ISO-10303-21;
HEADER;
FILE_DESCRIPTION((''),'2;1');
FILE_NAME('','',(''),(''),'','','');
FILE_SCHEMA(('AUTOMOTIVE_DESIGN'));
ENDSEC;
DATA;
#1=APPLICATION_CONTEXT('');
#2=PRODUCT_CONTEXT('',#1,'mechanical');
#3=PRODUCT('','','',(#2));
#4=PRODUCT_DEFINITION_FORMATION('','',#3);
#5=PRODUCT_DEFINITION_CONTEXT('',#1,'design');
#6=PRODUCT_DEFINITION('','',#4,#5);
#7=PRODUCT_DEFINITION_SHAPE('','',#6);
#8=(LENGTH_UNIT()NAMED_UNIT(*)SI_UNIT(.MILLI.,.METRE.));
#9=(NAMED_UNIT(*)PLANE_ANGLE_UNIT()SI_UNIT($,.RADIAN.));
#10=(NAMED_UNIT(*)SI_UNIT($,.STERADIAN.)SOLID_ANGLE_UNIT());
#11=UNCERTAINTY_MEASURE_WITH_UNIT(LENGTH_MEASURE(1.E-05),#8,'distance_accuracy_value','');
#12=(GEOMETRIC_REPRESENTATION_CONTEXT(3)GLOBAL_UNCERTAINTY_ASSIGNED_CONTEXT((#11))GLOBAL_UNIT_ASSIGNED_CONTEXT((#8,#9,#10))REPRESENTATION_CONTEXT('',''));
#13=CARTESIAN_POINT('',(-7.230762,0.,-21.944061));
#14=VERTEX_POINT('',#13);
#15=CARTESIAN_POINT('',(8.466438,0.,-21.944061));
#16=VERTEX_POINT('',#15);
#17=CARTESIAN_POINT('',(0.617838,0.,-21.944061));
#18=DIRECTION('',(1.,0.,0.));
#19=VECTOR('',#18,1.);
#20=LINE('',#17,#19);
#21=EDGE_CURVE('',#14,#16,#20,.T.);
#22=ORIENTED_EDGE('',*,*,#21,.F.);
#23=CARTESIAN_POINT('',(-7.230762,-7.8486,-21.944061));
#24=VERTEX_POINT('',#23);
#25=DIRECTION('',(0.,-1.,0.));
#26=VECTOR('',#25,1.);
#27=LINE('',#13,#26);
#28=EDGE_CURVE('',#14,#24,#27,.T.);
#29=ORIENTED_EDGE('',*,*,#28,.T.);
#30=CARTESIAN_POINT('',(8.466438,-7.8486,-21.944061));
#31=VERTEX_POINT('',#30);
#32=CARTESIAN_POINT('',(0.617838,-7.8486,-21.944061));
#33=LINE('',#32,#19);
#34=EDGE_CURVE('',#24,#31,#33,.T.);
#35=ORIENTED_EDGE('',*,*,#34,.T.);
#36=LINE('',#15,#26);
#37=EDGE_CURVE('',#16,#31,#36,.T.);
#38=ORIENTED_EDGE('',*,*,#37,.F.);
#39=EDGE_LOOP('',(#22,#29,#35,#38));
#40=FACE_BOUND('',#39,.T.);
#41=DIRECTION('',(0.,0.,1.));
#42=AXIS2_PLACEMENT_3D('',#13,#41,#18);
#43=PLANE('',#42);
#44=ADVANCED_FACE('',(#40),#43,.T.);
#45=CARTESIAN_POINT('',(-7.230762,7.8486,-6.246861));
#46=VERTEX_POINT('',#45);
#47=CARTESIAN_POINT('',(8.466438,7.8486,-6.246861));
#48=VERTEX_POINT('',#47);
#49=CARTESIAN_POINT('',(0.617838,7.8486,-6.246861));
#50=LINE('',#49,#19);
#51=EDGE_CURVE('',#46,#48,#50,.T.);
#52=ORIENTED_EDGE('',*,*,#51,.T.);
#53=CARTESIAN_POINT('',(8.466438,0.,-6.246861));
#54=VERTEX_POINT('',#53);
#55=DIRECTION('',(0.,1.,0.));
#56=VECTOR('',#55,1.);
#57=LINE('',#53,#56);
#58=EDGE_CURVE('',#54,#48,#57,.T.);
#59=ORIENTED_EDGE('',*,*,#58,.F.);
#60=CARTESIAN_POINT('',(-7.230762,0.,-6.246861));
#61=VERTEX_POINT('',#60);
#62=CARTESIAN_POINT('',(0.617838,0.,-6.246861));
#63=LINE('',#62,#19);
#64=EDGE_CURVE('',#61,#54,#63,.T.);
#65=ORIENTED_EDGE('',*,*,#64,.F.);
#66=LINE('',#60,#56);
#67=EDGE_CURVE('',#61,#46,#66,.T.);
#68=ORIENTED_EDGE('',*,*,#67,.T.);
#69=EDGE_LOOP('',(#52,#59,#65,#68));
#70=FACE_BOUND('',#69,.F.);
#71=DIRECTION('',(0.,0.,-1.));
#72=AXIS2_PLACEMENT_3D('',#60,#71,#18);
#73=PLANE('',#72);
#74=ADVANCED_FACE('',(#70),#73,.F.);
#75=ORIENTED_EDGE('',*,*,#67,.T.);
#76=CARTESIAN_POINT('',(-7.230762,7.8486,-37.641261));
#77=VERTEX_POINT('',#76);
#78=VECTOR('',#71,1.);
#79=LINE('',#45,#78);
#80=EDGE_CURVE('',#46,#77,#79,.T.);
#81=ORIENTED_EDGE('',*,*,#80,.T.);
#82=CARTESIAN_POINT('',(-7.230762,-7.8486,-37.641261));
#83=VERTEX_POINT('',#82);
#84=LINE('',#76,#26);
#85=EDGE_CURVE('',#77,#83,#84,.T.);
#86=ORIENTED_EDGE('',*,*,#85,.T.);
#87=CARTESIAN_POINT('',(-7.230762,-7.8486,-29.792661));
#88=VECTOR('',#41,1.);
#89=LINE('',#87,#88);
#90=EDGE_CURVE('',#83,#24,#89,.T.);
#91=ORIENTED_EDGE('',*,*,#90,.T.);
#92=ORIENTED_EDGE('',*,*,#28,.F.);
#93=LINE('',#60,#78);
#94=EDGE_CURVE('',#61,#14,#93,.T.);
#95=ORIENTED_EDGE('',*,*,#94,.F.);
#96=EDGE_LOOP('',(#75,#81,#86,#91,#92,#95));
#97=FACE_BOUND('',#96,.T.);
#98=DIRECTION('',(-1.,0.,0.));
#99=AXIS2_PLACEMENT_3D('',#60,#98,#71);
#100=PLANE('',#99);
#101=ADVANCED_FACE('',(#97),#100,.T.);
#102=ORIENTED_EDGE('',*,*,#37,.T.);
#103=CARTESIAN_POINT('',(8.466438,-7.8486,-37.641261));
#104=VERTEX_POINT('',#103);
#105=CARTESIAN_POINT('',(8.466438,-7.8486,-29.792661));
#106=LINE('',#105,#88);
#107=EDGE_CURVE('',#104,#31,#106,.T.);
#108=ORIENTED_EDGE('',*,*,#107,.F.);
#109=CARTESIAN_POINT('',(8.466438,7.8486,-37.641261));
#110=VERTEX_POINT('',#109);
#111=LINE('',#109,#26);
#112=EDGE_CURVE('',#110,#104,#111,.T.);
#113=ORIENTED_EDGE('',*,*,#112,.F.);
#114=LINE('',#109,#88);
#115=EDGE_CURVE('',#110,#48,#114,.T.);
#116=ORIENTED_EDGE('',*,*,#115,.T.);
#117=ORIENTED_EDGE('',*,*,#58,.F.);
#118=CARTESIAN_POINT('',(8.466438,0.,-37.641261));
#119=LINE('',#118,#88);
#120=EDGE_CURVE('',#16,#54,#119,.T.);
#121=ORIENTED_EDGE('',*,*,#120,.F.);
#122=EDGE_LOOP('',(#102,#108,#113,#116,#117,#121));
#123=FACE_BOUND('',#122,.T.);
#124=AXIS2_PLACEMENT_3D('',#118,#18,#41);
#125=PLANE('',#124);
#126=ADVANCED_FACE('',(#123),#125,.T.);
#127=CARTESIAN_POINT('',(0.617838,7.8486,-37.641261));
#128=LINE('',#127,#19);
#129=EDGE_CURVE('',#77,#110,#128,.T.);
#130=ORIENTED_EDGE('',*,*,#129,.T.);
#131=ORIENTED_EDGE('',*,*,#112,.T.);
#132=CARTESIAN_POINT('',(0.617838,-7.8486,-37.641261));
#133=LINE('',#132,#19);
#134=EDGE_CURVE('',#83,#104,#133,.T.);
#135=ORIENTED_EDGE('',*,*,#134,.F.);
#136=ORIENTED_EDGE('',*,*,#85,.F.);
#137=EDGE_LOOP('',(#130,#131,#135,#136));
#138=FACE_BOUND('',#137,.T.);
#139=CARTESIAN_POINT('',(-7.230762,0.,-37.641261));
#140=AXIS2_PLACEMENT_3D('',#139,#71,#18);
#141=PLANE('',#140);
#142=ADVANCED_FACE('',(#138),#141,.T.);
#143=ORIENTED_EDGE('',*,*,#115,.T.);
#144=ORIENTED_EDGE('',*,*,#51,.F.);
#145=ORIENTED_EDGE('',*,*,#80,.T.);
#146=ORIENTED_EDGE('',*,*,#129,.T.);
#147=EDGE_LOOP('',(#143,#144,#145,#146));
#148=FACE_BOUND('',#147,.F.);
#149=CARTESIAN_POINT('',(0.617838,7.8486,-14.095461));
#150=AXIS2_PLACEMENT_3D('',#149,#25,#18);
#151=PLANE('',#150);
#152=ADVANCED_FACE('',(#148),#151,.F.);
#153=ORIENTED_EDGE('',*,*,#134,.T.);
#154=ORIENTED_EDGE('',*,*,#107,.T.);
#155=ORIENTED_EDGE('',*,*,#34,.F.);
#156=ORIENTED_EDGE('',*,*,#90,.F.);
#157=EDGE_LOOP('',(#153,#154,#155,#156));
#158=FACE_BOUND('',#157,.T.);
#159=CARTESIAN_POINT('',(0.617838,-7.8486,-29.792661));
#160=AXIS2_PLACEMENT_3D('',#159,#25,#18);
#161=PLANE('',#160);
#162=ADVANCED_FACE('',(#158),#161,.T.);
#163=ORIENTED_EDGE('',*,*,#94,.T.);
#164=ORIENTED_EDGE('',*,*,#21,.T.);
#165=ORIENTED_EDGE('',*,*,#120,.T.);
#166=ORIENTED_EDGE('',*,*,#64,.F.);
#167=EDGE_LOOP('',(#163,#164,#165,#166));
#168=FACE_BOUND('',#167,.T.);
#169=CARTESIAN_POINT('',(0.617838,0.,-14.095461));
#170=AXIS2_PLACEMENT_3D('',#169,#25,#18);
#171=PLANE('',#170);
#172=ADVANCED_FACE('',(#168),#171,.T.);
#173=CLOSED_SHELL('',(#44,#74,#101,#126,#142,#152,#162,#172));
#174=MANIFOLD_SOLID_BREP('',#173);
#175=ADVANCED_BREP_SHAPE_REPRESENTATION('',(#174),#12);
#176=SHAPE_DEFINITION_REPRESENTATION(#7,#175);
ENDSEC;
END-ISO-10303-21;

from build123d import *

# Parameters (mm, degrees)
F0_W     = 15.6972
F0_H     = 15.6972
F1_DEPTH = 7.8486
F2_DEPTH = 7.8486


with BuildPart() as f1:
    # F0 (on Front) → F1 (new body)
    with BuildSketch(Plane.XZ):
        with Locations((0.617838, -29.792661)):
            Rectangle(F0_W, F0_H)
    extrude(amount=F1_DEPTH)

    # F0 (on Front) → F2 (join)
    with BuildSketch(Plane.XZ):
        with Locations((0.617838, -14.095461)):
            Rectangle(F0_W, F0_H)
        with Locations((0.617838, -29.792661)):
            Rectangle(F0_W, F0_H)
    extrude(amount=-F2_DEPTH)


solid = f1.part
